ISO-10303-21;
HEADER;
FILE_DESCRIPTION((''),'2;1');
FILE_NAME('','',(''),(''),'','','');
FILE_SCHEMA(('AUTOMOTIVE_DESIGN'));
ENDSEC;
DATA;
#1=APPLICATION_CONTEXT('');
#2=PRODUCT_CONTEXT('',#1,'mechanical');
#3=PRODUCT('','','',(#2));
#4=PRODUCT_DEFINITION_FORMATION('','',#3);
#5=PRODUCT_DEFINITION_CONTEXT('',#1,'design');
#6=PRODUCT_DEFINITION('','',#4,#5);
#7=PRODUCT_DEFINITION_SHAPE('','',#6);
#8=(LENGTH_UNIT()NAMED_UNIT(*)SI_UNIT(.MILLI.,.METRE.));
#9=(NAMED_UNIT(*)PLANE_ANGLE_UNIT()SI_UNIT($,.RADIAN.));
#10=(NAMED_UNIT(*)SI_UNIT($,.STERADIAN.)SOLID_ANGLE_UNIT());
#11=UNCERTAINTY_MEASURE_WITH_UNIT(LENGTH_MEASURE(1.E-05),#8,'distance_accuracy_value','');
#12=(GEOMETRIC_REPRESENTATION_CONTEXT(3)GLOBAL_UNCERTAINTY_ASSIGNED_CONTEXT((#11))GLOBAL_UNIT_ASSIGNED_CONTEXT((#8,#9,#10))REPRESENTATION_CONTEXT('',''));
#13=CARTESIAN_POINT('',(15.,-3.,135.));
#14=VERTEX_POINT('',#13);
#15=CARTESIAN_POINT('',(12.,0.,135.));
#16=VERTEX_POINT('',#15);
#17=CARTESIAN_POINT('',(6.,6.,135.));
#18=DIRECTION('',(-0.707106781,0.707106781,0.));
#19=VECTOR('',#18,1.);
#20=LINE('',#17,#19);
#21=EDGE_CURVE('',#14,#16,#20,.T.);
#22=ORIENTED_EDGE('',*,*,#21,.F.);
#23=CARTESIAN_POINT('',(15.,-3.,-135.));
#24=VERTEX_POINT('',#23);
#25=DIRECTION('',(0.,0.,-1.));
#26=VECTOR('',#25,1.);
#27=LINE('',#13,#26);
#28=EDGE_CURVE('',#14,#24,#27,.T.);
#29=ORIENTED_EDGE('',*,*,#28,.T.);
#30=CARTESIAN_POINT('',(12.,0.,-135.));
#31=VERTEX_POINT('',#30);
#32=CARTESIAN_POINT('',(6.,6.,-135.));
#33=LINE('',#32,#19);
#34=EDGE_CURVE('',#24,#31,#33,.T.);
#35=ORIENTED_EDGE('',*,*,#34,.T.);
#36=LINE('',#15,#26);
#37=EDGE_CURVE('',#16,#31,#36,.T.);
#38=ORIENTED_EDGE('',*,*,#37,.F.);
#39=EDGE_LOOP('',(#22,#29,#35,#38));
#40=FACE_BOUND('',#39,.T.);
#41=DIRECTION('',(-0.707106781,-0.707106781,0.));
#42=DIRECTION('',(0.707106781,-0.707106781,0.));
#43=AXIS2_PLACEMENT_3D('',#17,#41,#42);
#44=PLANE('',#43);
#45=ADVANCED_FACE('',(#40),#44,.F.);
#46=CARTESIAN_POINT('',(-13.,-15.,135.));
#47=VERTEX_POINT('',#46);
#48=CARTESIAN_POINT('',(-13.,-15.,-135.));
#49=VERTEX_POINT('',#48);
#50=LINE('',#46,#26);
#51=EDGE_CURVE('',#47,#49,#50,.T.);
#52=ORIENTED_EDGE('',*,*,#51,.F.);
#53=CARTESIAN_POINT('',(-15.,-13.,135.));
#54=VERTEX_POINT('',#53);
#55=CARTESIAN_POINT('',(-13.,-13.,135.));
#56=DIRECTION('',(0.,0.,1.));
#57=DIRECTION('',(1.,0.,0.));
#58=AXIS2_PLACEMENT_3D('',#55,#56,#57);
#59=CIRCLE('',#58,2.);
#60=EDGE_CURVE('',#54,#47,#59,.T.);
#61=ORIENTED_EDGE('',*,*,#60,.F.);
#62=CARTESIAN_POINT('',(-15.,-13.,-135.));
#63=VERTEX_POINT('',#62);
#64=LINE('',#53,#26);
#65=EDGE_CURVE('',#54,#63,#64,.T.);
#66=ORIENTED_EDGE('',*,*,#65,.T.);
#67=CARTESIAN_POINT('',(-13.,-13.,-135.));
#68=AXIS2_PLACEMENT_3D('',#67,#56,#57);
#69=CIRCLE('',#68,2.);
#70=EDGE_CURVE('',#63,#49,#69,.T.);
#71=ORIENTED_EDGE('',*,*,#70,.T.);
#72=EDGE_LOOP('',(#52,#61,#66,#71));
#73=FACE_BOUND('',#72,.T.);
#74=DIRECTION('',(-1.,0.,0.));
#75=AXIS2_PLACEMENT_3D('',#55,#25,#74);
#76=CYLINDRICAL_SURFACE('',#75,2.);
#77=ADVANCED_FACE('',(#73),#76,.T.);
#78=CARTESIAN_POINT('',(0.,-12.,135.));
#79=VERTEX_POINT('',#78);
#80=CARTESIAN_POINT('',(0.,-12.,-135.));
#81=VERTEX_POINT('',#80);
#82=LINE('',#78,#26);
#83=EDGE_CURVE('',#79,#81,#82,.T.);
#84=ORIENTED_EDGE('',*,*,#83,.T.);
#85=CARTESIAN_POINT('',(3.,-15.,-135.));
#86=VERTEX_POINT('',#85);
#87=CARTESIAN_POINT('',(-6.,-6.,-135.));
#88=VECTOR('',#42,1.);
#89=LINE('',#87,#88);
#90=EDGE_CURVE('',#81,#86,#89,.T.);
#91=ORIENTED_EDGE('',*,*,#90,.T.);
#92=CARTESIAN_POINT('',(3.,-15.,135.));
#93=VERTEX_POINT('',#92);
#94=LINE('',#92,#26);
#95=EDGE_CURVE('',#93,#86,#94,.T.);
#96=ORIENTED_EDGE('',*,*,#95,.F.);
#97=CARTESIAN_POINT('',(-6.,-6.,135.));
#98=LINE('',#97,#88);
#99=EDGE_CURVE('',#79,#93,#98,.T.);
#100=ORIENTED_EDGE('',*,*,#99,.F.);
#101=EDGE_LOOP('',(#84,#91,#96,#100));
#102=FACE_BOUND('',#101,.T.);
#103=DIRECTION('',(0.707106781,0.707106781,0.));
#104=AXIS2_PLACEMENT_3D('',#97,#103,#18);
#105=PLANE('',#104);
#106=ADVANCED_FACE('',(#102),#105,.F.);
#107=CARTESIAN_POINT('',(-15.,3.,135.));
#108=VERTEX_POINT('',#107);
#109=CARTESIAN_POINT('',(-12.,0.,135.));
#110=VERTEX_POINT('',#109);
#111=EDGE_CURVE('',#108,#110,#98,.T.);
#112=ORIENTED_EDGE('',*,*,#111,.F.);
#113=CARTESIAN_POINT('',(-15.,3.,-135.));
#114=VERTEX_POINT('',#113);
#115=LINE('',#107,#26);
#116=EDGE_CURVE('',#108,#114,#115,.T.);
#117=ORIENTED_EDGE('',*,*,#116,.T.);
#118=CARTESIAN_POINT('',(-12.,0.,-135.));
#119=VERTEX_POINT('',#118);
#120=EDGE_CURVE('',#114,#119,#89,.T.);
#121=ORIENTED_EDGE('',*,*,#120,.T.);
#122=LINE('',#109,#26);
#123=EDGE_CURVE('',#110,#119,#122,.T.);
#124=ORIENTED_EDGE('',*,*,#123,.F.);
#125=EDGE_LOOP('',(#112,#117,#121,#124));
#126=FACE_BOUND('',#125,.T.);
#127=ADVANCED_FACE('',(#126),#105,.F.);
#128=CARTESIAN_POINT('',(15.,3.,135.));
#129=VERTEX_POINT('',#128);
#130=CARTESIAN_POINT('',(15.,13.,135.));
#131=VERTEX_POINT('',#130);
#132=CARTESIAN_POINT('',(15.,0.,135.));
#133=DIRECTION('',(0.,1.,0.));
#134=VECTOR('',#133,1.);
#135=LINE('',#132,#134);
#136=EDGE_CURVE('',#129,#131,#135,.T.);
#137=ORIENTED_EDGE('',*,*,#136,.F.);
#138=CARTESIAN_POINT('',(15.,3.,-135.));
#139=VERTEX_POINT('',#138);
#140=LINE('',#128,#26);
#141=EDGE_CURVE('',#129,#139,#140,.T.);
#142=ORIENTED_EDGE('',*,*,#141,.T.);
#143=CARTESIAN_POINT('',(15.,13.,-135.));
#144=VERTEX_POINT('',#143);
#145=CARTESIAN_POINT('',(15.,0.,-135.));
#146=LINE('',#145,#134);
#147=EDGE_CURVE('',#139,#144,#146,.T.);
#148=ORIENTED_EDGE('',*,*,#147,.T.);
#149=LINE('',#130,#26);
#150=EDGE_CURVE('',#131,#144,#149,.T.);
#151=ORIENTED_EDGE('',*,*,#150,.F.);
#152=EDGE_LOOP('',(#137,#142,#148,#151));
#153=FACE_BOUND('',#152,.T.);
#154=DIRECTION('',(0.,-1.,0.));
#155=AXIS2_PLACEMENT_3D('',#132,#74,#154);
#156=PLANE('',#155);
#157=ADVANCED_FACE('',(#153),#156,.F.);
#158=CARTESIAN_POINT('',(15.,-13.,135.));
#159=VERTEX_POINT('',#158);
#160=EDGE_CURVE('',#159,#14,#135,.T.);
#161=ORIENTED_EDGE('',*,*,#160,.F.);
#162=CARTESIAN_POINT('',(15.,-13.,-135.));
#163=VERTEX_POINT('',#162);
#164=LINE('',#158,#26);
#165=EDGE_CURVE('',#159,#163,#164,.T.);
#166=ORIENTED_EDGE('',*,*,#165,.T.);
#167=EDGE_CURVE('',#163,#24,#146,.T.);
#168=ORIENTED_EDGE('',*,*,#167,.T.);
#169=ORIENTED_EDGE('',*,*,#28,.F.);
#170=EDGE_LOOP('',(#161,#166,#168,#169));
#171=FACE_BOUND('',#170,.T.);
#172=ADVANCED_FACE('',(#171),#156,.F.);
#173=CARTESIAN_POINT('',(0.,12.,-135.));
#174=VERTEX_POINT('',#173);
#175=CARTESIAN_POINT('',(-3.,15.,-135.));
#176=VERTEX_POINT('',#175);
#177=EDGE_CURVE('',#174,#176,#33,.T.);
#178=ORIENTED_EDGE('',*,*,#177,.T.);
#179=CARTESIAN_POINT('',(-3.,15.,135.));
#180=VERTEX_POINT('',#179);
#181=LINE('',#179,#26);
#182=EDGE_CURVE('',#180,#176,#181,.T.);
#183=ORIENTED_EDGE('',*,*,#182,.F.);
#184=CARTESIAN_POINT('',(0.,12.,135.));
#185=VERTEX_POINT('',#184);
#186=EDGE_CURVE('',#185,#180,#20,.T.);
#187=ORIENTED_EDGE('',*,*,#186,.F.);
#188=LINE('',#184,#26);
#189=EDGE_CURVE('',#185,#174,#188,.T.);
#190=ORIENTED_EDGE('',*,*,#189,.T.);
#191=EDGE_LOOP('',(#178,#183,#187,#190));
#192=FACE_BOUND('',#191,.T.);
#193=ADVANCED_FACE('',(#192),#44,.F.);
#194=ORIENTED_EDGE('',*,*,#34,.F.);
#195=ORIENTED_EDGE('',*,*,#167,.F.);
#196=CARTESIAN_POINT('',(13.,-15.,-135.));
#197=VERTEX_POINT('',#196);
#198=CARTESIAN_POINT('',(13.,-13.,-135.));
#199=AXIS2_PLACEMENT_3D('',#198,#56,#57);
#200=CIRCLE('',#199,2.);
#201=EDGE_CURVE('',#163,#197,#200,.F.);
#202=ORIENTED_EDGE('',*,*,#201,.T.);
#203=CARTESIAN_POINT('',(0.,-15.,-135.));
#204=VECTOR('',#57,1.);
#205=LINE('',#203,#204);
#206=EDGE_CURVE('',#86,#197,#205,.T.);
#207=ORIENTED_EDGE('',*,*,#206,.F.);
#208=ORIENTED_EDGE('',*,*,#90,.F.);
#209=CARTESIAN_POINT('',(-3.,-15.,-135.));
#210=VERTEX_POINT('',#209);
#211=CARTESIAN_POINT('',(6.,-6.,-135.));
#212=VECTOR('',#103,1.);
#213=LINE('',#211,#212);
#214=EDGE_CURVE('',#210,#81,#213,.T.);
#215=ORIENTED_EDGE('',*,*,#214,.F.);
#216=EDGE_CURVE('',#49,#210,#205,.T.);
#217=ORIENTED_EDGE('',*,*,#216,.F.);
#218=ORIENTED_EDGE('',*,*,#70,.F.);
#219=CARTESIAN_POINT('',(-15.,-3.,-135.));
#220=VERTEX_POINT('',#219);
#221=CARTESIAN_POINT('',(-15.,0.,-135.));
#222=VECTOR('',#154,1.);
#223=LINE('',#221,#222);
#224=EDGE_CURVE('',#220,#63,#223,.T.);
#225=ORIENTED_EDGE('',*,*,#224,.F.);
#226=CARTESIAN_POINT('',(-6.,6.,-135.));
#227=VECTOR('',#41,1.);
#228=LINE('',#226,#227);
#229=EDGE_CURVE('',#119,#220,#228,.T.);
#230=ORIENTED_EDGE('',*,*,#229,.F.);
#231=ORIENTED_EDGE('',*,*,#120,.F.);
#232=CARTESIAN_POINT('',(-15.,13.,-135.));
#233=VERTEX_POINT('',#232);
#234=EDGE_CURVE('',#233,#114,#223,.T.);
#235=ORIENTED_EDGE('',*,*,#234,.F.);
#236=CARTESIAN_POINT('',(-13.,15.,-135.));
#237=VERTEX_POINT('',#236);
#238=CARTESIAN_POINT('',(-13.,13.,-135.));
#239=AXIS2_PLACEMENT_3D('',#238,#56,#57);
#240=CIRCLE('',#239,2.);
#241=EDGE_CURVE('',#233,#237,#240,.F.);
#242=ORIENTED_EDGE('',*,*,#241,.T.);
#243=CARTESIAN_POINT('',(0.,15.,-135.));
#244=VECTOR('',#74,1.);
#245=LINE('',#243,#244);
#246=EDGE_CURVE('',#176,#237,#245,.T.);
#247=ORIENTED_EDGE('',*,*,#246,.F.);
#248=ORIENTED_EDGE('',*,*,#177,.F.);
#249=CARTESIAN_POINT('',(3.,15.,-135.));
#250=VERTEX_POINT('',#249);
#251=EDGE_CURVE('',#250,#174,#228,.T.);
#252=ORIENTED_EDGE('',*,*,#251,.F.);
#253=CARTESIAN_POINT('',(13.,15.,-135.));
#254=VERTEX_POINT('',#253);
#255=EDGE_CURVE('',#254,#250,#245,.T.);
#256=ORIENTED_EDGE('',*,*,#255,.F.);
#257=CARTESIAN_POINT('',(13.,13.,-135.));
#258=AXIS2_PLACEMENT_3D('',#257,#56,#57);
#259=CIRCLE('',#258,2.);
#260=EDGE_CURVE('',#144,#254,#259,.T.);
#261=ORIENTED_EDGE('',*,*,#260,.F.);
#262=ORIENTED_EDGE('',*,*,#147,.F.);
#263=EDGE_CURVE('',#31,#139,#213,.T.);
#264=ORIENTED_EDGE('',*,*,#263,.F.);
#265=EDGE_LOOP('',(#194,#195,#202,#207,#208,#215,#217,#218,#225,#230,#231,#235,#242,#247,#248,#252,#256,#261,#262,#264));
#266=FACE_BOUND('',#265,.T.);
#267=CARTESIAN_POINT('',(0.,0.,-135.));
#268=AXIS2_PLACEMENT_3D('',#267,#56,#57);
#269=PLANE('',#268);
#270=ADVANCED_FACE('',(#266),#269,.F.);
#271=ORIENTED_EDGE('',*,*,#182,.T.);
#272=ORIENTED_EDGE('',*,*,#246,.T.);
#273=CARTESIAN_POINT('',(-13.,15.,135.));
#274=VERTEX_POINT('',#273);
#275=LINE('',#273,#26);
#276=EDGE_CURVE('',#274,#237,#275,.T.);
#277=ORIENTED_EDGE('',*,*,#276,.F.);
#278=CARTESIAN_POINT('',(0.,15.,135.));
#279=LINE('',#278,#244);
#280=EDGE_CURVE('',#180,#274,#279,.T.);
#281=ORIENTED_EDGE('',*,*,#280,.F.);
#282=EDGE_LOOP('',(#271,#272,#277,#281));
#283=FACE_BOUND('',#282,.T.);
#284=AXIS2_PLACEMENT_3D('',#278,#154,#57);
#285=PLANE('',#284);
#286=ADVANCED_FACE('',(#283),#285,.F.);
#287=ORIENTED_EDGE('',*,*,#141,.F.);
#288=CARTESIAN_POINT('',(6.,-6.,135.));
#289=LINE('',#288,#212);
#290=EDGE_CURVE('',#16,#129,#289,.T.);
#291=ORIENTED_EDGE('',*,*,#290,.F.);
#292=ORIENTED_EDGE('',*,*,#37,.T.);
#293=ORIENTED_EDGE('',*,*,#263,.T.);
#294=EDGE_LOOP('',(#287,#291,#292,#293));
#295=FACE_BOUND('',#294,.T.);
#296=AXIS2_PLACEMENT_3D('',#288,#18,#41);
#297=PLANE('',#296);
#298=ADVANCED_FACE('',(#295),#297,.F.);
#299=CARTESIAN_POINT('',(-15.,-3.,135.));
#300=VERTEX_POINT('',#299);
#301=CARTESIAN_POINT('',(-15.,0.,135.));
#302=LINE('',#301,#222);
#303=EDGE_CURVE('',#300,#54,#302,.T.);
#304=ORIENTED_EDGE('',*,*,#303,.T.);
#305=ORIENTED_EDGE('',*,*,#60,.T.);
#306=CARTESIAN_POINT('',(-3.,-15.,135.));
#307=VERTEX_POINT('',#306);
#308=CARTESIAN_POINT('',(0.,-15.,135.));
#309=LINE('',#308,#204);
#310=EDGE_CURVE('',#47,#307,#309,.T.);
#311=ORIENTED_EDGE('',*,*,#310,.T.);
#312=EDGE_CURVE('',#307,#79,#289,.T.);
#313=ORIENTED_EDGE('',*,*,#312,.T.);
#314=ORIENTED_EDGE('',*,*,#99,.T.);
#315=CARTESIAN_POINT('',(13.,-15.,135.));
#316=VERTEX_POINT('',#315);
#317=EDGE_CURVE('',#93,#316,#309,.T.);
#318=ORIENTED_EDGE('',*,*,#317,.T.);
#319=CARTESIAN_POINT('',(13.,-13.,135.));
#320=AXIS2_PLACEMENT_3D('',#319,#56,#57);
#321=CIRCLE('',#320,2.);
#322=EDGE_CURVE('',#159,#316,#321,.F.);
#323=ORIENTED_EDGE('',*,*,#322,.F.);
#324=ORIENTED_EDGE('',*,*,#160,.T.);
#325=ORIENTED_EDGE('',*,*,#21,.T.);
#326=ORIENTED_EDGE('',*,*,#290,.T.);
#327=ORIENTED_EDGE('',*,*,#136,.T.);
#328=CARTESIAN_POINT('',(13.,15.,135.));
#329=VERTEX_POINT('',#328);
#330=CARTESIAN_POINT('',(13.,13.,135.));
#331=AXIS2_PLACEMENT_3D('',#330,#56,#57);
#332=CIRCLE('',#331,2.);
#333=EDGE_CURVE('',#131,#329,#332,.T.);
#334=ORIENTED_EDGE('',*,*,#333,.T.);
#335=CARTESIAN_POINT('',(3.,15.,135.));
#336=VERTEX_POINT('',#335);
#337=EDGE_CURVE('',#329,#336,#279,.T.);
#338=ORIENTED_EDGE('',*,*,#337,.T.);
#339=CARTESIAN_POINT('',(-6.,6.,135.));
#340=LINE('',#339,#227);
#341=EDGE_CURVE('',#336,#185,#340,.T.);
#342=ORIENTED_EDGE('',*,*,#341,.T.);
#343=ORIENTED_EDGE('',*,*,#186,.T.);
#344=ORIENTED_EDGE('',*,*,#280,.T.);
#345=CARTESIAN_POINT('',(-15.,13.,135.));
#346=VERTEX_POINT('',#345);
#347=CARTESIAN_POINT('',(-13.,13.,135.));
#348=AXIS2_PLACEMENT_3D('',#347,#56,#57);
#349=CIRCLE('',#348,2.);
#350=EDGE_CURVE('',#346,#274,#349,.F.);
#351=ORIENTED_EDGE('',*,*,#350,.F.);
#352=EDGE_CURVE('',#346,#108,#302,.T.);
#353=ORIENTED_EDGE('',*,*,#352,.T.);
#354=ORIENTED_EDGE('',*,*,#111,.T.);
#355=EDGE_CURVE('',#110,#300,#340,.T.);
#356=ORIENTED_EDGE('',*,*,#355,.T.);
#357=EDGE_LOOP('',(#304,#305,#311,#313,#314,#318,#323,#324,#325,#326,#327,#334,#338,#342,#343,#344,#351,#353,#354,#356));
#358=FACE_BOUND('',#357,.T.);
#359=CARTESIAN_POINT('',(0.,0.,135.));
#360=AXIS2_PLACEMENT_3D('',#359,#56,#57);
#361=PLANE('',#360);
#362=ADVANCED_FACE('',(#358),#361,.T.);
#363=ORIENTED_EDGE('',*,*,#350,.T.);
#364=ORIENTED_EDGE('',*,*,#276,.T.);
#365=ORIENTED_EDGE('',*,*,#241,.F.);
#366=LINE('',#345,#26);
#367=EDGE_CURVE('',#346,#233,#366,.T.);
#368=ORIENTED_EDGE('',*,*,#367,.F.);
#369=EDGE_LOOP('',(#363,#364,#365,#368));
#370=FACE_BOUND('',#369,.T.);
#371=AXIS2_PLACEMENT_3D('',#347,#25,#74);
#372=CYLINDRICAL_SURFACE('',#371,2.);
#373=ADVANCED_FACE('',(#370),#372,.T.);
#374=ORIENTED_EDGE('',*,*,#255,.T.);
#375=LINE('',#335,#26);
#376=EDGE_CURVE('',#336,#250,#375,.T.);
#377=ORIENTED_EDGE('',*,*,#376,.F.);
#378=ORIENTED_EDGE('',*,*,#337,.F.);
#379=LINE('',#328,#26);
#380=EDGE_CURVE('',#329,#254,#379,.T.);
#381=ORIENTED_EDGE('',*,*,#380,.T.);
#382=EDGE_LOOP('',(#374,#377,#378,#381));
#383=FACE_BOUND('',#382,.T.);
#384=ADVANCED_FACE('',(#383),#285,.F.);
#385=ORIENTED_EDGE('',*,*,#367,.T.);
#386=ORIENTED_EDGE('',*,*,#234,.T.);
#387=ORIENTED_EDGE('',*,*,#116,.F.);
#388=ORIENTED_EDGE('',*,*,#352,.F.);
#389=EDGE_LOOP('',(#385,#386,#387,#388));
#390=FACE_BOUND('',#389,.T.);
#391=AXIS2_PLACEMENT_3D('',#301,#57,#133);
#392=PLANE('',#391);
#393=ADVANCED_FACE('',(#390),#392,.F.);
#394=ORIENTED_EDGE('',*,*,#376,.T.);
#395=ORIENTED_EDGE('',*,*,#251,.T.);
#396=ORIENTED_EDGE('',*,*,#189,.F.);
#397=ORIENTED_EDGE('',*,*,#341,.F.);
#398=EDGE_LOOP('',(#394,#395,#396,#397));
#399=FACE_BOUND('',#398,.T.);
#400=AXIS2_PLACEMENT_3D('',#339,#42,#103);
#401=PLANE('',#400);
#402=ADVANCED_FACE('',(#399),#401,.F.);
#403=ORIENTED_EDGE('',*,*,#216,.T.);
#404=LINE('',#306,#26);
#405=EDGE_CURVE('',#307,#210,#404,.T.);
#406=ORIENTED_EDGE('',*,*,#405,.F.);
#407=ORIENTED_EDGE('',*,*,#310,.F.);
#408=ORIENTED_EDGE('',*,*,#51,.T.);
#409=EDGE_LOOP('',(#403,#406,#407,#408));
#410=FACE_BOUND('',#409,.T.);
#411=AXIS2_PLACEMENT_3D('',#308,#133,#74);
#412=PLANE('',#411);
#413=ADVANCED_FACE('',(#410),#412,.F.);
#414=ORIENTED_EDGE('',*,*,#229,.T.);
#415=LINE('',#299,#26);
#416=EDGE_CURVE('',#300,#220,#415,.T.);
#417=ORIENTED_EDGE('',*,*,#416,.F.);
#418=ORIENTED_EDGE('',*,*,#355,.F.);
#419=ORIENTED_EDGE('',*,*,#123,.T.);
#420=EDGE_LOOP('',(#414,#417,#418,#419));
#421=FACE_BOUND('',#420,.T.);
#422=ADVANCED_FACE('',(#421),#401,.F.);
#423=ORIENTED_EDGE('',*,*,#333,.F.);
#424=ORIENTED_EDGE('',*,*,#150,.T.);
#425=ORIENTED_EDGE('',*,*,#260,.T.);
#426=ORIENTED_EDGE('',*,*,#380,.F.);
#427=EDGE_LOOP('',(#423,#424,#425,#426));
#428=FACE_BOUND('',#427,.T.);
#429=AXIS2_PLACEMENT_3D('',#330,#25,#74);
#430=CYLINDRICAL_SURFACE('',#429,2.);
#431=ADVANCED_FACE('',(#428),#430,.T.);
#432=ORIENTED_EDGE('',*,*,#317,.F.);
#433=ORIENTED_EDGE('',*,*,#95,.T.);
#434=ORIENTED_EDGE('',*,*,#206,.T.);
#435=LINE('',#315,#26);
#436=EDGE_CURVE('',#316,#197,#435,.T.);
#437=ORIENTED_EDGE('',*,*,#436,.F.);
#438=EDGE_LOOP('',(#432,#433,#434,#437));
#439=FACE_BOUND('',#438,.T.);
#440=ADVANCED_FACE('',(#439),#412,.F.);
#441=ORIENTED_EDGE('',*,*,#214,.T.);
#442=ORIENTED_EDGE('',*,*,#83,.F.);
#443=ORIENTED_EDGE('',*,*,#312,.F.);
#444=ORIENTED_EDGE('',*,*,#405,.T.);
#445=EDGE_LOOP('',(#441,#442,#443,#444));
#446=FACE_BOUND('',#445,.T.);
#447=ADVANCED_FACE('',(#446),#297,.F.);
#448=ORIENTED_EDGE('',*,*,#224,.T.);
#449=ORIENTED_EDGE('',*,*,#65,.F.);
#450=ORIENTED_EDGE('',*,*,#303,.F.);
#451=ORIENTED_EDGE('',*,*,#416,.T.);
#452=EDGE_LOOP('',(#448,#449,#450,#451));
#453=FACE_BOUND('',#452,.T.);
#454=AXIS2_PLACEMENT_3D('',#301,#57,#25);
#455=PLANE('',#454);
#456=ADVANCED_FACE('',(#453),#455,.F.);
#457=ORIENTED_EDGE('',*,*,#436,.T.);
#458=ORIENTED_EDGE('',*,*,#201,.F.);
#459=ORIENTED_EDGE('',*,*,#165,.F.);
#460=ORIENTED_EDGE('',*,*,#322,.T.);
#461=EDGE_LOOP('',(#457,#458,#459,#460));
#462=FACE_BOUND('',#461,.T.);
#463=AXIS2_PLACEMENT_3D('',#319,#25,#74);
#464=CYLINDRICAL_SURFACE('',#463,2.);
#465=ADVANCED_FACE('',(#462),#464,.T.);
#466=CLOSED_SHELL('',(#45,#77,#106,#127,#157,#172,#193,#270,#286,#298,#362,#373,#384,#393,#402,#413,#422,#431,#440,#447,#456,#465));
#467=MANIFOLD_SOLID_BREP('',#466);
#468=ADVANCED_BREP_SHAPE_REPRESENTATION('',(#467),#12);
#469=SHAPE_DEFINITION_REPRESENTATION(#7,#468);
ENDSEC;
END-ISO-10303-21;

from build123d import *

# Parameters (mm, degrees)
EXTRUDE_1_DEPTH = 135


with BuildPart() as part:
    # 스케치1 → 보스-돌출1 (new, symmetric)
    with BuildSketch(Plane.XY):
        with BuildLine():
            Line((15, 3), (15, 13))
            ThreePointArc((15, 13), (14.414213562, 14.414213562), (13, 15))
            Line((13, 15), (3, 15))
            Line((3, 15), (0, 12))
            Line((0, 12), (-3, 15))
            Line((-3, 15), (-13, 15))
            ThreePointArc((-13, 15), (-14.414213562, 14.414213562), (-15, 13))
            Line((-15, 13), (-15, 3))
            Line((-15, 3), (-12, 0))
            Line((-12, 0), (-15, -3))
            Line((-15, -3), (-15, -13))
            ThreePointArc((-15, -13), (-14.414213562, -14.414213562), (-13, -15))
            Line((-13, -15), (-3, -15))
            Line((-3, -15), (0, -12))
            Line((0, -12), (3, -15))
            Line((3, -15), (13, -15))
            ThreePointArc((13, -15), (14.414213562, -14.414213562), (15, -13))
            Line((15, -13), (15, -3))
            Line((15, -3), (12, 0))
            Line((12, 0), (15, 3))
        make_face()
    extrude(amount=EXTRUDE_1_DEPTH, both=True)


solid = part.part
